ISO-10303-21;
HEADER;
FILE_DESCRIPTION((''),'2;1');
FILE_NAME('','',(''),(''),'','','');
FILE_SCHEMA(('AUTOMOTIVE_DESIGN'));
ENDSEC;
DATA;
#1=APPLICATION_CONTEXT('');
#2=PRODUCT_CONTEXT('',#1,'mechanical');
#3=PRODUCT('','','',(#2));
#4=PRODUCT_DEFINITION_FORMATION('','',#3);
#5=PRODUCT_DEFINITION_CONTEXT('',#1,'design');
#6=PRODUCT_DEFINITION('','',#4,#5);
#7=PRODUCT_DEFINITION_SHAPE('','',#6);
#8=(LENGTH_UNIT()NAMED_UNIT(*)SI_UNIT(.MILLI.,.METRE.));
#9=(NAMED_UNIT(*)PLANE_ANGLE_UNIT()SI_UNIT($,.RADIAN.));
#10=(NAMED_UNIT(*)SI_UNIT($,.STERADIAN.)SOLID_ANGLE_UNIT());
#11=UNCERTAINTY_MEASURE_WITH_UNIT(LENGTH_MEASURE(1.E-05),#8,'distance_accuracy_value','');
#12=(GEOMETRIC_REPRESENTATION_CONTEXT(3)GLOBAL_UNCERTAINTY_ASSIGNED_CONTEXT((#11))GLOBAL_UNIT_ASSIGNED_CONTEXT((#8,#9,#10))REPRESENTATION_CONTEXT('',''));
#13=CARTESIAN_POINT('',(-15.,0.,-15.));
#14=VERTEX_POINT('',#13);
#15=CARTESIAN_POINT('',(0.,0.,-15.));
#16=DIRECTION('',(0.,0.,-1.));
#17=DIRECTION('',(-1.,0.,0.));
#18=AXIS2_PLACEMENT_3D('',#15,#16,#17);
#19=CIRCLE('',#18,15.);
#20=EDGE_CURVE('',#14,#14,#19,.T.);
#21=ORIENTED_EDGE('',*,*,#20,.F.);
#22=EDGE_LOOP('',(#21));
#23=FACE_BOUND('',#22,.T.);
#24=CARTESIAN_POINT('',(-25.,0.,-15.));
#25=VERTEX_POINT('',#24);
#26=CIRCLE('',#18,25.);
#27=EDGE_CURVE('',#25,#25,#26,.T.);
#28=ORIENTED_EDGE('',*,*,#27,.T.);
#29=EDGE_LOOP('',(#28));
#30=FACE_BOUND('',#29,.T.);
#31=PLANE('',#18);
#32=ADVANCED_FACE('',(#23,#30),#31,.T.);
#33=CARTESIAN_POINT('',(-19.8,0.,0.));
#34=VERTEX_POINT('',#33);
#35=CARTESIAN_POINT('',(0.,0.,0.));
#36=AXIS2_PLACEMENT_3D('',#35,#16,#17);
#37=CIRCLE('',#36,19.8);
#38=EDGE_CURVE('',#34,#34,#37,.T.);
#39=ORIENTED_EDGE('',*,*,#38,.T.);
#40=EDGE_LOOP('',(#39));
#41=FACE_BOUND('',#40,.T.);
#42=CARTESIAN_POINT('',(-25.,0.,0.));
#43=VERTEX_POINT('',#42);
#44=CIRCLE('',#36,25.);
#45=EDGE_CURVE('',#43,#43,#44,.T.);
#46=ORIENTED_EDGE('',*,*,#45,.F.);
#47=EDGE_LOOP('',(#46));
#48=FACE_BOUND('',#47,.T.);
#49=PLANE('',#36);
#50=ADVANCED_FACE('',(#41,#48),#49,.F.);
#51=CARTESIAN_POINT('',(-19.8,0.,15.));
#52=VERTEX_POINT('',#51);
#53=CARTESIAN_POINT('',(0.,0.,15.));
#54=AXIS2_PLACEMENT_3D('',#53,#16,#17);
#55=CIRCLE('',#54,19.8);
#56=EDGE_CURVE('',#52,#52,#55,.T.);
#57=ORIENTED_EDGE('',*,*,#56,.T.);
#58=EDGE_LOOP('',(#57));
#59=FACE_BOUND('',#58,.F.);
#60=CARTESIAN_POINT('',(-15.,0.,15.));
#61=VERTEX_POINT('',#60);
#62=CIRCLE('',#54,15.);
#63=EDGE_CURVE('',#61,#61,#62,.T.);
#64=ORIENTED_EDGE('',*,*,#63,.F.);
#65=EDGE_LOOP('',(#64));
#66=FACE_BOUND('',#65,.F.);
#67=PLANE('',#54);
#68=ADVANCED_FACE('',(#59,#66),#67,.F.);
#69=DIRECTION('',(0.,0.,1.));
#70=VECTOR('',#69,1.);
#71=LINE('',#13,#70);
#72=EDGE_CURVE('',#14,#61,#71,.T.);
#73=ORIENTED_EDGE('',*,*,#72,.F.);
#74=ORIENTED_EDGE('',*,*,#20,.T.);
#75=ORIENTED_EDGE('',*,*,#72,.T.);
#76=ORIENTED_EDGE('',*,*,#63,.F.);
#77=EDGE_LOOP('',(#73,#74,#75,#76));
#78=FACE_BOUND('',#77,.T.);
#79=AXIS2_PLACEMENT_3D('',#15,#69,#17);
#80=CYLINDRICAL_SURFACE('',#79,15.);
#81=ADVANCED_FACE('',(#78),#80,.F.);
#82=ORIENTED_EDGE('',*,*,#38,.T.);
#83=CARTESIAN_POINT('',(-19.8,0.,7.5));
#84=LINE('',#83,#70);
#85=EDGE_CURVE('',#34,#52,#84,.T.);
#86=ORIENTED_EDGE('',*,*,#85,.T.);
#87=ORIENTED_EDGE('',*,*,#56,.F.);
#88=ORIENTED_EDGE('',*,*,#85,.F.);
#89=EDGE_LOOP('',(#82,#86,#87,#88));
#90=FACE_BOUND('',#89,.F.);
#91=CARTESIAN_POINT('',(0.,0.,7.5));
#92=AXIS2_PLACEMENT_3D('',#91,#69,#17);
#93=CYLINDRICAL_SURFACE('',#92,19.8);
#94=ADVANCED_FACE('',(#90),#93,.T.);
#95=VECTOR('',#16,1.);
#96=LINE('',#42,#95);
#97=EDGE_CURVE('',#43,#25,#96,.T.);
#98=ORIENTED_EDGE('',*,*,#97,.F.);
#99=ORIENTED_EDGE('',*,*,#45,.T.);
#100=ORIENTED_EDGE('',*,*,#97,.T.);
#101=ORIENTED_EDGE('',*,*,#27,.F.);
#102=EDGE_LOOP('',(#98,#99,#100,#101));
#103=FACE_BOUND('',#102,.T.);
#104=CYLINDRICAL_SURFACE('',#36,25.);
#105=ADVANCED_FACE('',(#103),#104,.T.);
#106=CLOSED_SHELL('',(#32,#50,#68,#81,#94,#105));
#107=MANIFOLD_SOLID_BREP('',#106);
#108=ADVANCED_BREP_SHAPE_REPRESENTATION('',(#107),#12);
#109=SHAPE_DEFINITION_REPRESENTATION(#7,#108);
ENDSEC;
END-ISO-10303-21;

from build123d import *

# Parameters (mm, degrees)
F0_W = 4.8
F0_H = 15


with BuildPart() as f1:
    # F0 (on Front) → F1 (revolve)
    with BuildSketch(Plane.XZ):
        Polygon((-25, -15), (-15, -15), (-15, 0), (-19.8, 0), (-25, 0), align=None)
        with Locations((-17.4, 7.5)):
            Rectangle(F0_W, F0_H)
    revolve(axis=Axis((0, 0, -4.356846), (0, 0, -1)))


solid = f1.part
